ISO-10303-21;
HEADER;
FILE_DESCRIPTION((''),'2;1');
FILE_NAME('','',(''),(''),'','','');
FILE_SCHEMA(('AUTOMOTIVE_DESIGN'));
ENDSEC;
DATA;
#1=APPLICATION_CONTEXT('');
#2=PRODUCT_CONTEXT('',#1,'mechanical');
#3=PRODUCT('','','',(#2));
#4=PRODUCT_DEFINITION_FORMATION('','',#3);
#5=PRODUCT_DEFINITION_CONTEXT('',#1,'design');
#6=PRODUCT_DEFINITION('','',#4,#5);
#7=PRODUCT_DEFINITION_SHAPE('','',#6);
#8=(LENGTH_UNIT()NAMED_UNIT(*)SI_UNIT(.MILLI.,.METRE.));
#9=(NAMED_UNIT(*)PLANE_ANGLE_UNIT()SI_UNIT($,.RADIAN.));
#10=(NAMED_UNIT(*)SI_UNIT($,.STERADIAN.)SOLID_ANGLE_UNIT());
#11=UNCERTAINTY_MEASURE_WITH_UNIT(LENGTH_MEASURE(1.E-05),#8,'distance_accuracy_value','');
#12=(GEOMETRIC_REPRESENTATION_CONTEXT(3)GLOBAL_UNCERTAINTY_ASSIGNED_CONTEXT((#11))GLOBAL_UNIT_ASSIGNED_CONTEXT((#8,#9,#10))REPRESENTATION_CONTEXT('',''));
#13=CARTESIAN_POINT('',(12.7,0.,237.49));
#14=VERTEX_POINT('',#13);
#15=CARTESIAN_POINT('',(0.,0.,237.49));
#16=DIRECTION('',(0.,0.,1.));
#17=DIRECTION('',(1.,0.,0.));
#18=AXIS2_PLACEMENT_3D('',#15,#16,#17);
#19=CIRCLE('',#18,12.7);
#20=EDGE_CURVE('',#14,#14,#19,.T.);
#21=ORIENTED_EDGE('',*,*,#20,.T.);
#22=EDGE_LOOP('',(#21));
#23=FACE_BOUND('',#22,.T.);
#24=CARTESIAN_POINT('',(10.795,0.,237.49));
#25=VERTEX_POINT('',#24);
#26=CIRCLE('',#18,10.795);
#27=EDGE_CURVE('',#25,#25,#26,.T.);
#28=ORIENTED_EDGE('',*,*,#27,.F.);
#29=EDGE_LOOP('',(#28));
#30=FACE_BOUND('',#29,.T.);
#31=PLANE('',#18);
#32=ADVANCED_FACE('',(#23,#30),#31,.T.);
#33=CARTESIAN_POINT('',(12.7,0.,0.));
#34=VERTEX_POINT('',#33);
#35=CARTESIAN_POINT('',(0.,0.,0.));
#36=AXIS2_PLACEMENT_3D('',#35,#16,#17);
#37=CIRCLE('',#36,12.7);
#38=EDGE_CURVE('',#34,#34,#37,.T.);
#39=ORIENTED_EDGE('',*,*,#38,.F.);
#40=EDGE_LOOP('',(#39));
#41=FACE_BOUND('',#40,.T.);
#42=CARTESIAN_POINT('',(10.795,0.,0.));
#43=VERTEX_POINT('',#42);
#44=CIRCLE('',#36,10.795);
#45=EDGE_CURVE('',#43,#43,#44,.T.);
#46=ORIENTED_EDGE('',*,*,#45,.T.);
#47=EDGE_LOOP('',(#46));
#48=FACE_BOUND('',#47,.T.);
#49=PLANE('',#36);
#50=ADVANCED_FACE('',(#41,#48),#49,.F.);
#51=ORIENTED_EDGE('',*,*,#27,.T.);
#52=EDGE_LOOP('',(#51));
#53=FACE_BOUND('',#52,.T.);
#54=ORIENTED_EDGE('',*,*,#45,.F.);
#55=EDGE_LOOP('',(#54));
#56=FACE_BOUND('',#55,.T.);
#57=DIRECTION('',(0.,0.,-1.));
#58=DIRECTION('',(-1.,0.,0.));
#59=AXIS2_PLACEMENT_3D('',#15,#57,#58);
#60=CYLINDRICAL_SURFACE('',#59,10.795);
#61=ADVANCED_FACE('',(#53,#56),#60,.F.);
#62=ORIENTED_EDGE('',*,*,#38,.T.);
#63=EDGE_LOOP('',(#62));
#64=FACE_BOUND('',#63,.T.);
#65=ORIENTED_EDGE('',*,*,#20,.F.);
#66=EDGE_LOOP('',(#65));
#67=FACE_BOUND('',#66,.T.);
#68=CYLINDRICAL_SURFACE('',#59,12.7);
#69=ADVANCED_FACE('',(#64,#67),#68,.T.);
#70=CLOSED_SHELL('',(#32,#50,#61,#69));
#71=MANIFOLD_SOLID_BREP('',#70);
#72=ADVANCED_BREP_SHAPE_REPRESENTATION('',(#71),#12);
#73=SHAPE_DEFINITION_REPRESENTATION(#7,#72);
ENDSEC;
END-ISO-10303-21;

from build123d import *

# Parameters (mm, degrees)
SKETCH1_R           = 12.7
SKETCH1_R_2         = 10.795
BOSS_EXTRUDE1_DEPTH = 237.49


with BuildPart() as part:
    # Sketch1 → Boss-Extrude1 (new body)
    with BuildSketch(Plane.XY):
        Circle(SKETCH1_R)
        Circle(SKETCH1_R_2, mode=Mode.SUBTRACT)
    extrude(amount=BOSS_EXTRUDE1_DEPTH)


solid = part.part
